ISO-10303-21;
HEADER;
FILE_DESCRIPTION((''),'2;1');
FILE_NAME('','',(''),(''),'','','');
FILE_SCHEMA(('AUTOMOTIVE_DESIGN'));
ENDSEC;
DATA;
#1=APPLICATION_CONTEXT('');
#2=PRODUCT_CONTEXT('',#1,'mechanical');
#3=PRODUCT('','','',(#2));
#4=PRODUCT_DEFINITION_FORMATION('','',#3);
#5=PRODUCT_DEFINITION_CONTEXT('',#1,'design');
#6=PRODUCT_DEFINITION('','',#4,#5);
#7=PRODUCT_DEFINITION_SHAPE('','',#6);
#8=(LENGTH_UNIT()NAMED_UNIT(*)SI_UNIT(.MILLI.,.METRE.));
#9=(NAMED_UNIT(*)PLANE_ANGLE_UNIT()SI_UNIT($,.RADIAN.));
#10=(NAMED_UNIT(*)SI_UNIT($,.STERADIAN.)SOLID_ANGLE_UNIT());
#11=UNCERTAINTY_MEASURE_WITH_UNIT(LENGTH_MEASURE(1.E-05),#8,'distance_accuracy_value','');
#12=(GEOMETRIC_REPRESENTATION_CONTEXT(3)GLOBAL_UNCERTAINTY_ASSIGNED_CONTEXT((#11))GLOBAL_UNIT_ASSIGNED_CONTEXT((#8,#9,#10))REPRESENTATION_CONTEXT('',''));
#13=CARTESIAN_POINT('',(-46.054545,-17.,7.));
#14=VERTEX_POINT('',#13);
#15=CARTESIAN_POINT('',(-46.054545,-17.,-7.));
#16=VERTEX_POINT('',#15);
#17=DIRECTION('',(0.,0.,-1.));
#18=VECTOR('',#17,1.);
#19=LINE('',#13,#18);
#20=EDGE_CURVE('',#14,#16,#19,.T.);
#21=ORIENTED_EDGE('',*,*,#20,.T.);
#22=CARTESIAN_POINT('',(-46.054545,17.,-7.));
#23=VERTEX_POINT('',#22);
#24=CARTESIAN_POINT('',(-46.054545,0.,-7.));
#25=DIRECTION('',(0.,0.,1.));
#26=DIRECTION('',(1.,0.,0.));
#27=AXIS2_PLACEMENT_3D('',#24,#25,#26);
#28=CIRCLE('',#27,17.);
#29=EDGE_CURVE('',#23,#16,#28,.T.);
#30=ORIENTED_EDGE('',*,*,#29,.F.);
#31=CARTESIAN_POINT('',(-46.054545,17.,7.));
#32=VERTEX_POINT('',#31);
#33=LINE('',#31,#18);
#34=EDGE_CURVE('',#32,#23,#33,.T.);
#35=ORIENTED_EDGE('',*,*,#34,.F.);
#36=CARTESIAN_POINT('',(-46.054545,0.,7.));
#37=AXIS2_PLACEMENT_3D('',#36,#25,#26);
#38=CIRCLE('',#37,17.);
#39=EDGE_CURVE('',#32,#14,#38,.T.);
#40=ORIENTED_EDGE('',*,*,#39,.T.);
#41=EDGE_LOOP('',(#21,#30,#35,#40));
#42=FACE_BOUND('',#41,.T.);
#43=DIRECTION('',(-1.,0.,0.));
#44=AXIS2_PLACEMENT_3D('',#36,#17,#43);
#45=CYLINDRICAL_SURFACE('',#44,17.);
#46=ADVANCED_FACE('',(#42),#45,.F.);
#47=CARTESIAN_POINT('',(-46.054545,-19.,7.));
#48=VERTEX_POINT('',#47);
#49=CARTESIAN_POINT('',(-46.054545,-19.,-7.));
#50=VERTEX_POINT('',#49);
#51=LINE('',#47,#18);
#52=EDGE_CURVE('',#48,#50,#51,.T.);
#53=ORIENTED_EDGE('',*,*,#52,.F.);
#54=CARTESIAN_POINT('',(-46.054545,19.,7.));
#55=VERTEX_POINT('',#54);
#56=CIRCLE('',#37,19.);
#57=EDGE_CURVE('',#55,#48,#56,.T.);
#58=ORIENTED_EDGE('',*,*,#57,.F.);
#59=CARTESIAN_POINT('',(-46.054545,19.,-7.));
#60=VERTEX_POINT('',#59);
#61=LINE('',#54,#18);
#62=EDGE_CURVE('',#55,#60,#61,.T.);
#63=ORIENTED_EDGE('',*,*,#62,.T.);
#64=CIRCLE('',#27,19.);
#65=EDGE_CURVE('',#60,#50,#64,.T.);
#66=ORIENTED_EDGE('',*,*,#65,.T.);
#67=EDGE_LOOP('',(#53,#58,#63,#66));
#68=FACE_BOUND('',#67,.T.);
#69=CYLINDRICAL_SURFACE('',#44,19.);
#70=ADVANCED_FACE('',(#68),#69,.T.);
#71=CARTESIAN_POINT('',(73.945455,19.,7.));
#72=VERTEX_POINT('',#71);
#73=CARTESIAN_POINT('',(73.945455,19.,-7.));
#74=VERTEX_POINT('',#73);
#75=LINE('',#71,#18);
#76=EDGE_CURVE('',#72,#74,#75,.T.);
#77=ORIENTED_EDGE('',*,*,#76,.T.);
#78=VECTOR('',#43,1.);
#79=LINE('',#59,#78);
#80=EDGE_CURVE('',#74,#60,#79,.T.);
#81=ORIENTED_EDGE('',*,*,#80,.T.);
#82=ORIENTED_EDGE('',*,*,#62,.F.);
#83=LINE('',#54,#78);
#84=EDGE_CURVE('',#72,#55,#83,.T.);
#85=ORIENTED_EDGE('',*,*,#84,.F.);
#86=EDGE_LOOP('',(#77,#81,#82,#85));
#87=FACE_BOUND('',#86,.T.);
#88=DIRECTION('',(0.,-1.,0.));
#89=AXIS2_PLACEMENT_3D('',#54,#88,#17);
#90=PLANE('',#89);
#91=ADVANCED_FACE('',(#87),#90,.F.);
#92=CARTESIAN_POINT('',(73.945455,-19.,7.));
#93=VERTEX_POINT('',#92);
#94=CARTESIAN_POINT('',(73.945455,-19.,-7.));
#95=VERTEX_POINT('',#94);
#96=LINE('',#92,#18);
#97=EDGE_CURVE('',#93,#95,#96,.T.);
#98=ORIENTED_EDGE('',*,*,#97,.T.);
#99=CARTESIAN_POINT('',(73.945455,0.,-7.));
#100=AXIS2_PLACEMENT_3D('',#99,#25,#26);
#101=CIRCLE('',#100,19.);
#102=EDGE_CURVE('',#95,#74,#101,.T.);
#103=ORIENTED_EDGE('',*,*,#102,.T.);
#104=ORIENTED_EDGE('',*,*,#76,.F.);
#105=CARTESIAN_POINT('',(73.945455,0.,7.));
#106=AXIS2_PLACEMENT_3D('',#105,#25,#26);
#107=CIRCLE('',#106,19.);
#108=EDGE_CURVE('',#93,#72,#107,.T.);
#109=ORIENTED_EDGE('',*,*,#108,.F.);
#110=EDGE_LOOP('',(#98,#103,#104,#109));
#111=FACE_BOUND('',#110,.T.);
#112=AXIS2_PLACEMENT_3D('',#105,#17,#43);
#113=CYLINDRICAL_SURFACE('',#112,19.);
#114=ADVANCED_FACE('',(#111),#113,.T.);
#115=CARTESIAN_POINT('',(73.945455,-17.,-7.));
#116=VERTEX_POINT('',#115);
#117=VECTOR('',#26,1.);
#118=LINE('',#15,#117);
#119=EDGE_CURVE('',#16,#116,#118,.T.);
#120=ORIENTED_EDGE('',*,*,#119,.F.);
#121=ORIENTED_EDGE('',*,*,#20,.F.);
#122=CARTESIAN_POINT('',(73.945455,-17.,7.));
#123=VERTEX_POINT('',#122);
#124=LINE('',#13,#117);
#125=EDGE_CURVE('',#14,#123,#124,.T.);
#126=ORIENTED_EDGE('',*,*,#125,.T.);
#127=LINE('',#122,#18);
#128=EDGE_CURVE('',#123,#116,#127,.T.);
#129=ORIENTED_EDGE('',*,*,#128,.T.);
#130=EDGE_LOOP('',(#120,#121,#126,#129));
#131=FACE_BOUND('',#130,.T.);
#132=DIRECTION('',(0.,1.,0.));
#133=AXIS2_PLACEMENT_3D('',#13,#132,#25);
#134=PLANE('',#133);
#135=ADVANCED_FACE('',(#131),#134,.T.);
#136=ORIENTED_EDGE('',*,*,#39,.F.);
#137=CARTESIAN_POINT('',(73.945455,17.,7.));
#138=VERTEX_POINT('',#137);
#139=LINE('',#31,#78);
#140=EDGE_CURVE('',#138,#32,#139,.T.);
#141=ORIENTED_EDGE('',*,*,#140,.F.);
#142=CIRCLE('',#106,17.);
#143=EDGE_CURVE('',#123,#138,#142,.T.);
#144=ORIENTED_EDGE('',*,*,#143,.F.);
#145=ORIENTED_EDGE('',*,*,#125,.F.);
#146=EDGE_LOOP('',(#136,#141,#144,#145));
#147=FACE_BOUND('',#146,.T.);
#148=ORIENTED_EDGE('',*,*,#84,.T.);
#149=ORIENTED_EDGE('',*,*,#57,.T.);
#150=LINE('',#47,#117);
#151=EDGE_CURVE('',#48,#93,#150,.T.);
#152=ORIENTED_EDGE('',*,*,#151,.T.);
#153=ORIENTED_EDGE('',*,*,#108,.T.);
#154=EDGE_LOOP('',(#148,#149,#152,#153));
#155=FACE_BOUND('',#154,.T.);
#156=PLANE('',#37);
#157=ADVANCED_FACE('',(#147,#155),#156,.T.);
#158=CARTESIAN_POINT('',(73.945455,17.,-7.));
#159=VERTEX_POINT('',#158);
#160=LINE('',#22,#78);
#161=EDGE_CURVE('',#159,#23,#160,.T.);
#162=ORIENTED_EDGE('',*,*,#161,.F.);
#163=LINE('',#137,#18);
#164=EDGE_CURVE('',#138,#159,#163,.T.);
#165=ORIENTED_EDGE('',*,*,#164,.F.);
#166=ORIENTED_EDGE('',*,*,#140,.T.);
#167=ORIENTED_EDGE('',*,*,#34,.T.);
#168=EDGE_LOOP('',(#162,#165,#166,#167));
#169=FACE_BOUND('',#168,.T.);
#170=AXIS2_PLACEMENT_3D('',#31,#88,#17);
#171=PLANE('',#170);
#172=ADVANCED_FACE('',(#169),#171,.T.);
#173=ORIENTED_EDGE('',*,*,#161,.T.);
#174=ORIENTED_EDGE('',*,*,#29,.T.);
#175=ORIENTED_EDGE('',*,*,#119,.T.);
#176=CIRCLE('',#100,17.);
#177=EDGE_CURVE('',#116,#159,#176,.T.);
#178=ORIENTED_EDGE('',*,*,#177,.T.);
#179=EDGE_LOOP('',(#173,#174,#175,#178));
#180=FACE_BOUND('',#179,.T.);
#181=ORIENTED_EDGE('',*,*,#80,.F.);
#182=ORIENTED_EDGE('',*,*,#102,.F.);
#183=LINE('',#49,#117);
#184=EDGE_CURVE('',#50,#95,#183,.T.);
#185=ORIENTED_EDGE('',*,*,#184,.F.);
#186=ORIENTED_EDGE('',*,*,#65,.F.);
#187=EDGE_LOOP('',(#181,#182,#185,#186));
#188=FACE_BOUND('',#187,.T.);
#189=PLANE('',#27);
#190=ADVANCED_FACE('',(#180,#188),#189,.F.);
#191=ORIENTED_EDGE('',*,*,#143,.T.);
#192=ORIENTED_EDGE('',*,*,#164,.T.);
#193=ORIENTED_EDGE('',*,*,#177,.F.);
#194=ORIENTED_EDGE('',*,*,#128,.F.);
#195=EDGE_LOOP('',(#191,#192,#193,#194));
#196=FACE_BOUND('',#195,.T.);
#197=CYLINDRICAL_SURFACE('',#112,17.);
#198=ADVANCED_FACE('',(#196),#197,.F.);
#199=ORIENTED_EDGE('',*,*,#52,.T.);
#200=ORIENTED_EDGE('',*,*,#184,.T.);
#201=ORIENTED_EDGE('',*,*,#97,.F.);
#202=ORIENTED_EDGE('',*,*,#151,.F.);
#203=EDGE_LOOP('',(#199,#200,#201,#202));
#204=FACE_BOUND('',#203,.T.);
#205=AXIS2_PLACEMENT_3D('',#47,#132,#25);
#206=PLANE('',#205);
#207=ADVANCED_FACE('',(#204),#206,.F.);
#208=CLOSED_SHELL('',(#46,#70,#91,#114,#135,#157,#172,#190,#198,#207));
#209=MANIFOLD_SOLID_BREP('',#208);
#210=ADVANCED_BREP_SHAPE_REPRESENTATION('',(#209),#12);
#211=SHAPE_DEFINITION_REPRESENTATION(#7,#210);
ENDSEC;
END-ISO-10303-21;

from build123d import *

# Parameters (mm, degrees)
EXTRUDE_1_DEPTH = 7


with BuildPart() as part:
    # 草图1 → 拉伸-薄壁1 (new, symmetric)
    with BuildSketch(Plane.XY):
        with BuildLine():
            Line((73.945454545, -19), (-46.054545455, -19))
            ThreePointArc((-46.054545455, -19), (-65.054545455, 0), (-46.054545455, 19))
            Line((-46.054545455, 19), (73.945454545, 19))
            ThreePointArc((73.945454545, 19), (92.945454545, 0), (73.945454545, -19))
        make_face()
        with BuildLine():
            Line((73.945454545, -17), (-46.054545455, -17))
            ThreePointArc((-46.054545455, -17), (-63.054545455, 0), (-46.054545455, 17))
            Line((-46.054545455, 17), (73.945454545, 17))
            ThreePointArc((73.945454545, 17), (90.945454545, 0), (73.945454545, -17))
        make_face(mode=Mode.SUBTRACT)
    extrude(amount=EXTRUDE_1_DEPTH, both=True)


solid = part.part
